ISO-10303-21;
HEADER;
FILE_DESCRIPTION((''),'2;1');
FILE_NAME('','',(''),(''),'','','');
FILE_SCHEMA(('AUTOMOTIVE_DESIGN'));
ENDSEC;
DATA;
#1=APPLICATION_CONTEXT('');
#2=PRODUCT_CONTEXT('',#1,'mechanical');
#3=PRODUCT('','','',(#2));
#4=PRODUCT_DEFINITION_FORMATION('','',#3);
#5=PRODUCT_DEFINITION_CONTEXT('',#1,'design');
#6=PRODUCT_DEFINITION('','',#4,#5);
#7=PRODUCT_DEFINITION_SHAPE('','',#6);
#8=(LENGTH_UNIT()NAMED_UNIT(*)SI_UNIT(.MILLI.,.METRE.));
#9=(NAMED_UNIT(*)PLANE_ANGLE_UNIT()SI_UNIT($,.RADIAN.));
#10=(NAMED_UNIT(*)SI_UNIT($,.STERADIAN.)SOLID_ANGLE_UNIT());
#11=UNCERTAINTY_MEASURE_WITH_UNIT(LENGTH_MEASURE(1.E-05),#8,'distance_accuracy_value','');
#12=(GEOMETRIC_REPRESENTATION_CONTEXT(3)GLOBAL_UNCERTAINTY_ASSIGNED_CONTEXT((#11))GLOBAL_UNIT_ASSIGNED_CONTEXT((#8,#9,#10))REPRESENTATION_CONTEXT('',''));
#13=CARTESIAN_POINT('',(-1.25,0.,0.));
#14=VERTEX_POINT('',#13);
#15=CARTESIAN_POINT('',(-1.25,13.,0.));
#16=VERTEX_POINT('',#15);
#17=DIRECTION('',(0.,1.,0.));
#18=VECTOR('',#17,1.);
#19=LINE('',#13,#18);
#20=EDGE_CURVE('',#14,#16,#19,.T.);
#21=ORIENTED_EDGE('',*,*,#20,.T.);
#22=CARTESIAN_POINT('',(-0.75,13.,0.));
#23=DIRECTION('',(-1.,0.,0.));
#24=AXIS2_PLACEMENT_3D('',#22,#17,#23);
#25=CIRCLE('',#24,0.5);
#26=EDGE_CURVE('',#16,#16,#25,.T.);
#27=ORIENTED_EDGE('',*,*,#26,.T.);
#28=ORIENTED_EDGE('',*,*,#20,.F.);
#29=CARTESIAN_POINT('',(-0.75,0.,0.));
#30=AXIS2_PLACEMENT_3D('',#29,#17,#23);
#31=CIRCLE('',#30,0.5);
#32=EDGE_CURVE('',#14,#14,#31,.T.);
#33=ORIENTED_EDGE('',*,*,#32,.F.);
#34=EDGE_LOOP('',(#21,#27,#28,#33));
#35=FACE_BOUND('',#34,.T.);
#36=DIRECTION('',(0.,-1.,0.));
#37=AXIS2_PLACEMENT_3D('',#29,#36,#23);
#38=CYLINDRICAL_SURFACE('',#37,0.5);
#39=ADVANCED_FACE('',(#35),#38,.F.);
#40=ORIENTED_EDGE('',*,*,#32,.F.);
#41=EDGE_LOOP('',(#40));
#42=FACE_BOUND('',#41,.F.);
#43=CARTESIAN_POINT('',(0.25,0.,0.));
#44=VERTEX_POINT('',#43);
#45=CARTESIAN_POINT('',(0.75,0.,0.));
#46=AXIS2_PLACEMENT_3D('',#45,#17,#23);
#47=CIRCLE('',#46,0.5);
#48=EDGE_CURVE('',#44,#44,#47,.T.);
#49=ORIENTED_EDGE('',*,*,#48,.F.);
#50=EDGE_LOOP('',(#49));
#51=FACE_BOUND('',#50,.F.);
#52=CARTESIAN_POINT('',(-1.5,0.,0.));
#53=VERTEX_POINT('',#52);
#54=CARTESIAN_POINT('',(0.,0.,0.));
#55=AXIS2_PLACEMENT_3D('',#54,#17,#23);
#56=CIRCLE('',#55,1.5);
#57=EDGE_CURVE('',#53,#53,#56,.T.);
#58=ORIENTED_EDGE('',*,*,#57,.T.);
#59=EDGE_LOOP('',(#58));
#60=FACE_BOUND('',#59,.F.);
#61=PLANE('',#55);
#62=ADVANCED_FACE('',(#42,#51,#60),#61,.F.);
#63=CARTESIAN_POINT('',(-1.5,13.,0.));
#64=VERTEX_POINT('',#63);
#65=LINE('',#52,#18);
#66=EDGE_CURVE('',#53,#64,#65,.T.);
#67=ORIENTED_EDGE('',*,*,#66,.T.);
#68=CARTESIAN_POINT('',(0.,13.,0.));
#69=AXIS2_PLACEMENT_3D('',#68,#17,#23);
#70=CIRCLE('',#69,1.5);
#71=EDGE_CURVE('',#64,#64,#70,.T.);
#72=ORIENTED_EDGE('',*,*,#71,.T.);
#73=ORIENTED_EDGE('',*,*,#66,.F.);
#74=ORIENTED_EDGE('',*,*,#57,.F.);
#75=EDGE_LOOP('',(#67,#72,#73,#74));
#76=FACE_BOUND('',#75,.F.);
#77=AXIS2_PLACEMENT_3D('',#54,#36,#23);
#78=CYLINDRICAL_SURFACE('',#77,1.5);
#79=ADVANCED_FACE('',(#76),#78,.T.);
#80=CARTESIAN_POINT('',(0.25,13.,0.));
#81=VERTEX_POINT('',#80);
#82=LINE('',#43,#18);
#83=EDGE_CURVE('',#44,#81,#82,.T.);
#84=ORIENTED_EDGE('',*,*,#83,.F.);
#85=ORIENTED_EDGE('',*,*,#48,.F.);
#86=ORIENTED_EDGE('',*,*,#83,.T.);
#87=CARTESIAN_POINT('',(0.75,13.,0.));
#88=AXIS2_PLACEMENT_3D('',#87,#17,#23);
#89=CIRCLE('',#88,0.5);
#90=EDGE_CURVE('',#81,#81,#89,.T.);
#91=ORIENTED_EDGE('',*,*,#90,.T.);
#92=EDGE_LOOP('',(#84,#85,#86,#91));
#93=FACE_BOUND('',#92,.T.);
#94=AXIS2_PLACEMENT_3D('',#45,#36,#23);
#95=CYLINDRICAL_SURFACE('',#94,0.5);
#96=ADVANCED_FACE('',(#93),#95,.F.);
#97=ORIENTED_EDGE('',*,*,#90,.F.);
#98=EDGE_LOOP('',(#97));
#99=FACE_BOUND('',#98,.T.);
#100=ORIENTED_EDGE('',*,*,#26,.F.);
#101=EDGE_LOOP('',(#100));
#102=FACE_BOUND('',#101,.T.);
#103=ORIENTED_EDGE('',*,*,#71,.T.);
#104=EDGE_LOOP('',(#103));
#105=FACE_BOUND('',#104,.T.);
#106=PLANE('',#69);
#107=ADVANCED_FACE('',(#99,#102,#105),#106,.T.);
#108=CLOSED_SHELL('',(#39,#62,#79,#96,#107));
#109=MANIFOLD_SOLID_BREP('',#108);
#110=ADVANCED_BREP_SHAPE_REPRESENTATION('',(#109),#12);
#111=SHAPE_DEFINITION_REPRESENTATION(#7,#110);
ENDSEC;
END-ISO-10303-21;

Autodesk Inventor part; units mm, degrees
ref_plane "YZ Plane" through (0, 0, 0) normal (1, 0, 0) x (0, 1, 0)
ref_plane "XZ Plane" through (0, 0, 0) normal (0, 1, 0) x (-1, 0, 0)
ref_plane "XY Plane" through (0, 0, 0) normal (0, 0, 1) x (1, 0, 0)
sketch "スケッチ2" plane through (0, 0, 0) normal (0, 1, 0) x (-1, 0, 0)
  circle A0 centre (0, 0) radius 1.5
  circle A1 centre (0.75, 0) radius 0.5
  circle A2 centre (-0.75, 0) radius 0.5
  line L0 (0, 0) -> (0, -2.3561) construction
  dimension "d7" = 3
  dimension "d8" = 1
  dimension "d9" = 1
  dimension "d11" = 1.5
extrude "押し出し2" add sketch "スケッチ2" along normal blind 13
properties part number "ceramic_2-hole-spacer_d3-13"
